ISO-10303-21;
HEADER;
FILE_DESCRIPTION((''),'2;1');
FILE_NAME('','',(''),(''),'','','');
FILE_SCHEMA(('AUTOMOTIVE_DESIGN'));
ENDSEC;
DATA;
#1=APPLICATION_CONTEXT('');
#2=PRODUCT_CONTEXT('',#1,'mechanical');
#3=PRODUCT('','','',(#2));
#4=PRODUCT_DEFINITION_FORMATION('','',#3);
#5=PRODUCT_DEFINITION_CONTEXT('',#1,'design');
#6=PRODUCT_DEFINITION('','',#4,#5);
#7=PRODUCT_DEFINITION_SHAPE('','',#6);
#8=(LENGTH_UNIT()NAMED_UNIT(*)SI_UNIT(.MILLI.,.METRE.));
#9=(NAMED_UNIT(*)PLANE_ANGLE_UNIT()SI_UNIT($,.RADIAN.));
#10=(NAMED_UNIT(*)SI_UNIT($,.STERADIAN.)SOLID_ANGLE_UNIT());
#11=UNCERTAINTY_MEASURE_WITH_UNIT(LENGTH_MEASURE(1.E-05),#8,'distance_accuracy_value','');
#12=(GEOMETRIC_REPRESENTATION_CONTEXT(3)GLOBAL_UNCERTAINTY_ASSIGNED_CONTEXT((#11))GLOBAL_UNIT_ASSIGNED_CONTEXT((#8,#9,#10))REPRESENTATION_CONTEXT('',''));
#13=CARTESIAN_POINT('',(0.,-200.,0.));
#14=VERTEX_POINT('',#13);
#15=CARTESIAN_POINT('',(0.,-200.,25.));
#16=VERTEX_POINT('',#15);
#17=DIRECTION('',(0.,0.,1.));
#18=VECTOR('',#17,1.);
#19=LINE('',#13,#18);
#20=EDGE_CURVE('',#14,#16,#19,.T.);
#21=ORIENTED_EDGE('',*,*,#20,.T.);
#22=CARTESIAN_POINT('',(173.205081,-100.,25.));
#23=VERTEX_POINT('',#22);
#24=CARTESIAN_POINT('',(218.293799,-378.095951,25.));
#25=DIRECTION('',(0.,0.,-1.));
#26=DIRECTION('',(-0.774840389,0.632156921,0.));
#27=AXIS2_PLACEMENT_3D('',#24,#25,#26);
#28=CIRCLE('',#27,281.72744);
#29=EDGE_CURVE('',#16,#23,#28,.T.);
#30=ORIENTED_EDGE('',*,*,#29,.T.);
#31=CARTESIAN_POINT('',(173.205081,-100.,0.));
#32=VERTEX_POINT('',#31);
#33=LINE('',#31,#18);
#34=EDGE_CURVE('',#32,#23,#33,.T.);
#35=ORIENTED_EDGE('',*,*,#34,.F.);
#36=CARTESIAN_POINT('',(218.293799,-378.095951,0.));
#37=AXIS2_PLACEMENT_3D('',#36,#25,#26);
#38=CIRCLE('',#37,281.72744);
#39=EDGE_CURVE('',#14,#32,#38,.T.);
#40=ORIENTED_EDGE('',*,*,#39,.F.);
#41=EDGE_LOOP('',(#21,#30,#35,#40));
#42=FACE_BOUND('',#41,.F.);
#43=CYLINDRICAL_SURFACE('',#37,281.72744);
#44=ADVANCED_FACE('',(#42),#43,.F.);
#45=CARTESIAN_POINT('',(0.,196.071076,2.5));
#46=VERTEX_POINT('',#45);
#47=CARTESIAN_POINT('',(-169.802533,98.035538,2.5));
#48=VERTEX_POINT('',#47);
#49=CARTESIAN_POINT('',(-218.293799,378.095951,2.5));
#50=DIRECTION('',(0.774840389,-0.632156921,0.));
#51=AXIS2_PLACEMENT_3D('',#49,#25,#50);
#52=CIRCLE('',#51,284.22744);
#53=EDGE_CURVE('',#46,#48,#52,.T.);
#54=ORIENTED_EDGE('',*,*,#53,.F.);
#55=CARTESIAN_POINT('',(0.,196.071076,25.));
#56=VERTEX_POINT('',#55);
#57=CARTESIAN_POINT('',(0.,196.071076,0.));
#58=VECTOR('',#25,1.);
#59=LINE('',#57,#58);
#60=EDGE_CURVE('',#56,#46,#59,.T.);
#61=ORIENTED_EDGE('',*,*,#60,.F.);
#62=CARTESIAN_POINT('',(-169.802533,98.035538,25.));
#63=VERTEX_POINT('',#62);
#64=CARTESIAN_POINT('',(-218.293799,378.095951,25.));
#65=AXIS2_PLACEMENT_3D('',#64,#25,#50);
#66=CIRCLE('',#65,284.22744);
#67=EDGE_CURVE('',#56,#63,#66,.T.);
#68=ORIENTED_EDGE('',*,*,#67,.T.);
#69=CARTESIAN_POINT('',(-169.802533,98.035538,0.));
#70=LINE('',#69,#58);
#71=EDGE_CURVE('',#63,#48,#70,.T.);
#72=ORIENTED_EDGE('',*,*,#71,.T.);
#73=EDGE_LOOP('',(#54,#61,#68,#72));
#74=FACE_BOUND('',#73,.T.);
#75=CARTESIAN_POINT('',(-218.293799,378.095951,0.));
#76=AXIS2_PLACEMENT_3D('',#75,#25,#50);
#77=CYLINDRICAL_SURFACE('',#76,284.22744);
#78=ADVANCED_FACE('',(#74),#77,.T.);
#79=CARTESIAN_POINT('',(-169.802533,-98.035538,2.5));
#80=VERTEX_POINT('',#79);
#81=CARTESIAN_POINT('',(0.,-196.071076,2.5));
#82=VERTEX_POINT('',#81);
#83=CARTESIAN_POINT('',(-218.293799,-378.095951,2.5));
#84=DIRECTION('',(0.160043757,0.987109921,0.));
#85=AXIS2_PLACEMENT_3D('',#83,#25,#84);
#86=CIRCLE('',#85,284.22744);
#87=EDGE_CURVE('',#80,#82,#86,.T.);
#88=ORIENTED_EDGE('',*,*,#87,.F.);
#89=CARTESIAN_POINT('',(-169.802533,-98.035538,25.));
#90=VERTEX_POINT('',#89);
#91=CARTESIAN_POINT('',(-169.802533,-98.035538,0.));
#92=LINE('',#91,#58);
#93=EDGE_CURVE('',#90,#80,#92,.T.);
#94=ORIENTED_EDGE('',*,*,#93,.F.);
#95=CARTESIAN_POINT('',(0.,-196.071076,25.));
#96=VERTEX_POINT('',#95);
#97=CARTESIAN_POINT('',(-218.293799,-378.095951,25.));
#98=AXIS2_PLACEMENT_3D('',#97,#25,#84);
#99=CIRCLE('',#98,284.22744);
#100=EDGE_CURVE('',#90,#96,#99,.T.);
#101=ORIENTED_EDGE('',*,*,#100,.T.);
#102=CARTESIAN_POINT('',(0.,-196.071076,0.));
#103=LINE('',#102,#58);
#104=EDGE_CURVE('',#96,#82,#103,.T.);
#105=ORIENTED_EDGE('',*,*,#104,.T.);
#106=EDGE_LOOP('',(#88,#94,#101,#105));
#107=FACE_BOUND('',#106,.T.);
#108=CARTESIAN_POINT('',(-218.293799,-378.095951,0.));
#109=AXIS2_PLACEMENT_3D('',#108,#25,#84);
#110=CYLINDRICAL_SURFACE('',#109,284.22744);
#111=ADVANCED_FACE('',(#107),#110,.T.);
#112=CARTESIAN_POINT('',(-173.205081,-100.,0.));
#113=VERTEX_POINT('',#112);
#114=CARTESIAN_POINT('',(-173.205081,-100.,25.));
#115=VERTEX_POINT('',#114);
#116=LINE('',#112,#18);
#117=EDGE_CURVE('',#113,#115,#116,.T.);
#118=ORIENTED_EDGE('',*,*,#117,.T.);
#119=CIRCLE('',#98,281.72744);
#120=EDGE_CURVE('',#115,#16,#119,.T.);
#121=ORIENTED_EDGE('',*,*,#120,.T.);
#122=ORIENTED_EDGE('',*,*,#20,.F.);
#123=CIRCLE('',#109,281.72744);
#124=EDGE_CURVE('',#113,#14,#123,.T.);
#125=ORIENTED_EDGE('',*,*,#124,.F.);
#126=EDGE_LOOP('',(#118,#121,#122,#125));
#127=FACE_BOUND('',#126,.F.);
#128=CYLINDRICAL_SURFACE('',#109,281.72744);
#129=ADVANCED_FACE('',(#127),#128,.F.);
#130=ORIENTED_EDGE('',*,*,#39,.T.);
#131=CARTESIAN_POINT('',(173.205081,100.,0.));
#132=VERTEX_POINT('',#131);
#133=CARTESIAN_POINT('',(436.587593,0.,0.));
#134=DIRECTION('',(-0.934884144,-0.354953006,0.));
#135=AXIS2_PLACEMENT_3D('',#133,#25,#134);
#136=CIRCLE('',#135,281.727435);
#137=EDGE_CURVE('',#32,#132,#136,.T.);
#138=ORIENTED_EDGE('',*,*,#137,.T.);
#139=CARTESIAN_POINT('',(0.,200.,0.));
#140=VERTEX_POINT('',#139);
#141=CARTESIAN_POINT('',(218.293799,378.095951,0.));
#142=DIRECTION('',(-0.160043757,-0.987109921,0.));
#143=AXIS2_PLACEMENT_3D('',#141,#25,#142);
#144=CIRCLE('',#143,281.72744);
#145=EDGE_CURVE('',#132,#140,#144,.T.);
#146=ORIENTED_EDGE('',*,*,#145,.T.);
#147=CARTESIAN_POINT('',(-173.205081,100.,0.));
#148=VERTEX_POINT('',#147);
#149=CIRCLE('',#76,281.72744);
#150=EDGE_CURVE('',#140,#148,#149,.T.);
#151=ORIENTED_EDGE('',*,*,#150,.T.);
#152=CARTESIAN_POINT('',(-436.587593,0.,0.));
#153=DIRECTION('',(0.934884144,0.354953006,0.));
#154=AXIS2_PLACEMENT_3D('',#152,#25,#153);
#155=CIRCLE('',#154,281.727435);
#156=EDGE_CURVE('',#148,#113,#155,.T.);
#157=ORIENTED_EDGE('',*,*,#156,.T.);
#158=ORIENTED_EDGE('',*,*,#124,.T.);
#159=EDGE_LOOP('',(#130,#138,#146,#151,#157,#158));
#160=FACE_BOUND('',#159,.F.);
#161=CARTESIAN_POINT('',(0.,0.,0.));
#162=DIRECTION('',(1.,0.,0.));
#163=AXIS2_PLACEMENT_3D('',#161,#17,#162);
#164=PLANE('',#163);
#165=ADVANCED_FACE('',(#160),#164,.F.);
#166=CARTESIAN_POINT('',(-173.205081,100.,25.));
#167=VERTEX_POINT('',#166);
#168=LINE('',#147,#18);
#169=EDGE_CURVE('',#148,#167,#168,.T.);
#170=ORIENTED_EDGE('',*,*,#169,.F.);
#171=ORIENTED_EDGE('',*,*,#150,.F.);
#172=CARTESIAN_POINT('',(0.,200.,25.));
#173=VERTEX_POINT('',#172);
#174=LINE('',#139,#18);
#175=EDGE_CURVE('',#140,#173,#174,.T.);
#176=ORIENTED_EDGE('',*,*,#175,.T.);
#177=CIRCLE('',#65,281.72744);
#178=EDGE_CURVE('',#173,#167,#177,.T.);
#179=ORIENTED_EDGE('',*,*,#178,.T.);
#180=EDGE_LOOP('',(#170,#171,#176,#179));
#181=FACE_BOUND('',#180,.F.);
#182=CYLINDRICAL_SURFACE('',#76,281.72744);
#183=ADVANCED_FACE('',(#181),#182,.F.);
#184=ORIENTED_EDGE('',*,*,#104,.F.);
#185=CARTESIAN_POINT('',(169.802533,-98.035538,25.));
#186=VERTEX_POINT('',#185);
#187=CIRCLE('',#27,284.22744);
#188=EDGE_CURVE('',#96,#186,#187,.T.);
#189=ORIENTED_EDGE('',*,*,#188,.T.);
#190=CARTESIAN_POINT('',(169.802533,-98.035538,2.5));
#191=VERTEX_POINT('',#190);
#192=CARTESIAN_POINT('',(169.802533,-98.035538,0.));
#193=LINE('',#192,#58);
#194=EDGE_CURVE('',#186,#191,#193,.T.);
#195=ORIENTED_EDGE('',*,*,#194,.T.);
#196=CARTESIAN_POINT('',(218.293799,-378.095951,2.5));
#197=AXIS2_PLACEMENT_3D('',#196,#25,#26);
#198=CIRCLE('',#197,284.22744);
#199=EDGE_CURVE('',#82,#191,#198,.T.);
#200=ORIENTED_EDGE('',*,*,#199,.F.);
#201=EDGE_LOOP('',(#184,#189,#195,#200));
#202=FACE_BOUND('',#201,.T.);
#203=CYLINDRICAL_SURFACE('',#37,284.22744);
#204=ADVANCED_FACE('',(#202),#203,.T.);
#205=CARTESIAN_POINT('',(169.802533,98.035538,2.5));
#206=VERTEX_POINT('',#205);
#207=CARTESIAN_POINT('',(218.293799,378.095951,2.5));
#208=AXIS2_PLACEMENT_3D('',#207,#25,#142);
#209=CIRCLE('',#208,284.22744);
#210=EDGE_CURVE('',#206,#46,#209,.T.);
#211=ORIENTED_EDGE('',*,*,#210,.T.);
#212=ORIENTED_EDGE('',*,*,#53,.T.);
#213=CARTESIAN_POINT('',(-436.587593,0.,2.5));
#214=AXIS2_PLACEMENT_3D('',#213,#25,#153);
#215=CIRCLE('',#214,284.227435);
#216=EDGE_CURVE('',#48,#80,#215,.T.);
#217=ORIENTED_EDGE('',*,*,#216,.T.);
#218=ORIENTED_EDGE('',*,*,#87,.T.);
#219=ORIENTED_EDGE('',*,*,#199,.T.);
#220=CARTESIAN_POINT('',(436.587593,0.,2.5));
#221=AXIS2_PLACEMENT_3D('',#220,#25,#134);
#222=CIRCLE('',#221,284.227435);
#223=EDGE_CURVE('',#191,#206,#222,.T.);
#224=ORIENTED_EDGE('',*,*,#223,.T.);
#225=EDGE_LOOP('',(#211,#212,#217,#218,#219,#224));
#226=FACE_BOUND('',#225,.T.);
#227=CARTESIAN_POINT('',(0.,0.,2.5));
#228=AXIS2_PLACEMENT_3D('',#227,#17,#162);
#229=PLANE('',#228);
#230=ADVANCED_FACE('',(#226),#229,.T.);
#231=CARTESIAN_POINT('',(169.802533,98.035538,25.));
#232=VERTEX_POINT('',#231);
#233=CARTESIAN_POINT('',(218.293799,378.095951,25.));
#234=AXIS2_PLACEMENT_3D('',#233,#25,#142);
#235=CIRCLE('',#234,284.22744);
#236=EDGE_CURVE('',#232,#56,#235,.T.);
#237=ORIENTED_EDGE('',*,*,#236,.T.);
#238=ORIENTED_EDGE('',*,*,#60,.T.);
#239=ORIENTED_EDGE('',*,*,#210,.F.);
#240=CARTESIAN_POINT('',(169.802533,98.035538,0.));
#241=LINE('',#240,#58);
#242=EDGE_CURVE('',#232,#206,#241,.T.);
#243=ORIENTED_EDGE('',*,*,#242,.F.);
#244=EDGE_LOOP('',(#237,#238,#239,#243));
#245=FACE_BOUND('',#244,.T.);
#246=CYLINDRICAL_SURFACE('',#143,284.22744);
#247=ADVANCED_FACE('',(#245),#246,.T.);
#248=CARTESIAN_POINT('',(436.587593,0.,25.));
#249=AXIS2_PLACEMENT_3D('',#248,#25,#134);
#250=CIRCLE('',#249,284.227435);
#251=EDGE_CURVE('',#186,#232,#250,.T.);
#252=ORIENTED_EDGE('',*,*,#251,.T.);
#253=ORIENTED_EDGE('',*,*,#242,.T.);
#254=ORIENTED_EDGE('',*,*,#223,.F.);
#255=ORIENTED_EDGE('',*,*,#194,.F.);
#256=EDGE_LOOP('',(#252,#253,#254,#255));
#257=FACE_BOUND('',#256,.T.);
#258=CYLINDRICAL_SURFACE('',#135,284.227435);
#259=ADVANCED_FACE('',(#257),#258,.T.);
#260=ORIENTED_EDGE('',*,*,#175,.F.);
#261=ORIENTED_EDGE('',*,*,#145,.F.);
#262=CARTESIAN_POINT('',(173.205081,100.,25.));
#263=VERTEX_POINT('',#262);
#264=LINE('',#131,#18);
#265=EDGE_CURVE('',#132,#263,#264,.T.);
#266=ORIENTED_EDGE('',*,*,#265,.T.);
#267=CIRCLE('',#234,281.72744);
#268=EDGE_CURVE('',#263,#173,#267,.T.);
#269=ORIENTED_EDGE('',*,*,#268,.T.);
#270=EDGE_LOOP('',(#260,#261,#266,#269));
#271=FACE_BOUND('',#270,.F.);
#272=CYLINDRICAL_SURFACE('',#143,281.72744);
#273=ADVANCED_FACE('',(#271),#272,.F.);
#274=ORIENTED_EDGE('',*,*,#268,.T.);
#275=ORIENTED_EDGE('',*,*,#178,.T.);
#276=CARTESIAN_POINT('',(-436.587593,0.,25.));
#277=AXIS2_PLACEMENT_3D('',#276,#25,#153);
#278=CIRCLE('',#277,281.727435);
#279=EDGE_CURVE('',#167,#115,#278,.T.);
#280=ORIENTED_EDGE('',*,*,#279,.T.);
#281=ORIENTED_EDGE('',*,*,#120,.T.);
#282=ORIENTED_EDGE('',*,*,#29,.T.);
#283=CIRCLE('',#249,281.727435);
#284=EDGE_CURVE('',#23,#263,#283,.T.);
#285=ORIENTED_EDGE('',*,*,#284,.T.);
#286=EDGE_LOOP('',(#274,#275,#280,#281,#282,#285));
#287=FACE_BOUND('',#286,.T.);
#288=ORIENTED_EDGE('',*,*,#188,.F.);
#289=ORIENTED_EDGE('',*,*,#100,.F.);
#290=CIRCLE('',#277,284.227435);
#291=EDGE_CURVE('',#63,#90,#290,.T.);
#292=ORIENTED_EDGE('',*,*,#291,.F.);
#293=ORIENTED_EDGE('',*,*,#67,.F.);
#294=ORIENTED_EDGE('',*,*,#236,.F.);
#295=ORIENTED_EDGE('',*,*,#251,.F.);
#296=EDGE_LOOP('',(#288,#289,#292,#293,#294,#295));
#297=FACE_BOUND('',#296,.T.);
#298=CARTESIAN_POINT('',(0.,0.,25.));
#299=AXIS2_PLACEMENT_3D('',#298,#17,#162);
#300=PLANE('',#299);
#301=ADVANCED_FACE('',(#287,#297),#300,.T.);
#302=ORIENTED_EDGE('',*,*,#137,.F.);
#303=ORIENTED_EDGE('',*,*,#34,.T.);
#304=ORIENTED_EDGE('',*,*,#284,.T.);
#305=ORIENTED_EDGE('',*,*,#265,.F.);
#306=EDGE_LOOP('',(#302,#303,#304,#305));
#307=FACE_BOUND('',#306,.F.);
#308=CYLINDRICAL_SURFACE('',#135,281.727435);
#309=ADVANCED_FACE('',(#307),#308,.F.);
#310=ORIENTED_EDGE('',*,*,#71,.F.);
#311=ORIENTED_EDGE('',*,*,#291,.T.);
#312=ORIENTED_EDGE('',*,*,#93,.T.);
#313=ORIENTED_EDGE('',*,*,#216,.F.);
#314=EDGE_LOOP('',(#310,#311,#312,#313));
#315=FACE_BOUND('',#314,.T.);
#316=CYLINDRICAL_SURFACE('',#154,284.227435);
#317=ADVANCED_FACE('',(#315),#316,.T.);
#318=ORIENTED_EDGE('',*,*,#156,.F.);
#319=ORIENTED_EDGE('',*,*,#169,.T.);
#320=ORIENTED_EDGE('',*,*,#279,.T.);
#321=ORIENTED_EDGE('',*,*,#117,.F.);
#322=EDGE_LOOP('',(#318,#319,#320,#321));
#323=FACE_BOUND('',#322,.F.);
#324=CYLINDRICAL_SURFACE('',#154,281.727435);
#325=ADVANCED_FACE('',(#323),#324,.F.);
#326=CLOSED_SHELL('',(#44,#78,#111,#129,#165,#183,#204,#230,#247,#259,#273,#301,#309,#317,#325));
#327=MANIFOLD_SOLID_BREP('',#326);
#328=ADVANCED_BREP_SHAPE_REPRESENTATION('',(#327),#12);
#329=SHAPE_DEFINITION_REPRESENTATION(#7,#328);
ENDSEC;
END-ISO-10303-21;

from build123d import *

# Parameters (mm, degrees)
F1_DEPTH = 25
F2_T     = -2.5


with BuildPart() as f1:
    # F0 (on Top) → F1 (new body)
    with BuildSketch(Plane.XY):
        with BuildLine():
            ThreePointArc((-173.205081, 100), (-154.860158, 0), (-173.205081, -100))
            ThreePointArc((-173.205081, -100), (-77.430079, -134.112831), (0, -200))
            ThreePointArc((0, -200), (77.430079, -134.112831), (173.205081, -100))
            ThreePointArc((173.205081, -100), (154.860158, 0), (173.205081, 100))
            ThreePointArc((173.205081, 100), (77.430079, 134.112831), (0, 200))
            ThreePointArc((0, 200), (-77.430079, 134.112831), (-173.205081, 100))
        make_face()
    extrude(amount=F1_DEPTH)

    # F2
    f2_openings = [f1.faces().sort_by_distance(p)[0] for p in [
        (0, 0, 25),
    ]]
    offset(amount=F2_T, openings=f2_openings)


solid = f1.part
